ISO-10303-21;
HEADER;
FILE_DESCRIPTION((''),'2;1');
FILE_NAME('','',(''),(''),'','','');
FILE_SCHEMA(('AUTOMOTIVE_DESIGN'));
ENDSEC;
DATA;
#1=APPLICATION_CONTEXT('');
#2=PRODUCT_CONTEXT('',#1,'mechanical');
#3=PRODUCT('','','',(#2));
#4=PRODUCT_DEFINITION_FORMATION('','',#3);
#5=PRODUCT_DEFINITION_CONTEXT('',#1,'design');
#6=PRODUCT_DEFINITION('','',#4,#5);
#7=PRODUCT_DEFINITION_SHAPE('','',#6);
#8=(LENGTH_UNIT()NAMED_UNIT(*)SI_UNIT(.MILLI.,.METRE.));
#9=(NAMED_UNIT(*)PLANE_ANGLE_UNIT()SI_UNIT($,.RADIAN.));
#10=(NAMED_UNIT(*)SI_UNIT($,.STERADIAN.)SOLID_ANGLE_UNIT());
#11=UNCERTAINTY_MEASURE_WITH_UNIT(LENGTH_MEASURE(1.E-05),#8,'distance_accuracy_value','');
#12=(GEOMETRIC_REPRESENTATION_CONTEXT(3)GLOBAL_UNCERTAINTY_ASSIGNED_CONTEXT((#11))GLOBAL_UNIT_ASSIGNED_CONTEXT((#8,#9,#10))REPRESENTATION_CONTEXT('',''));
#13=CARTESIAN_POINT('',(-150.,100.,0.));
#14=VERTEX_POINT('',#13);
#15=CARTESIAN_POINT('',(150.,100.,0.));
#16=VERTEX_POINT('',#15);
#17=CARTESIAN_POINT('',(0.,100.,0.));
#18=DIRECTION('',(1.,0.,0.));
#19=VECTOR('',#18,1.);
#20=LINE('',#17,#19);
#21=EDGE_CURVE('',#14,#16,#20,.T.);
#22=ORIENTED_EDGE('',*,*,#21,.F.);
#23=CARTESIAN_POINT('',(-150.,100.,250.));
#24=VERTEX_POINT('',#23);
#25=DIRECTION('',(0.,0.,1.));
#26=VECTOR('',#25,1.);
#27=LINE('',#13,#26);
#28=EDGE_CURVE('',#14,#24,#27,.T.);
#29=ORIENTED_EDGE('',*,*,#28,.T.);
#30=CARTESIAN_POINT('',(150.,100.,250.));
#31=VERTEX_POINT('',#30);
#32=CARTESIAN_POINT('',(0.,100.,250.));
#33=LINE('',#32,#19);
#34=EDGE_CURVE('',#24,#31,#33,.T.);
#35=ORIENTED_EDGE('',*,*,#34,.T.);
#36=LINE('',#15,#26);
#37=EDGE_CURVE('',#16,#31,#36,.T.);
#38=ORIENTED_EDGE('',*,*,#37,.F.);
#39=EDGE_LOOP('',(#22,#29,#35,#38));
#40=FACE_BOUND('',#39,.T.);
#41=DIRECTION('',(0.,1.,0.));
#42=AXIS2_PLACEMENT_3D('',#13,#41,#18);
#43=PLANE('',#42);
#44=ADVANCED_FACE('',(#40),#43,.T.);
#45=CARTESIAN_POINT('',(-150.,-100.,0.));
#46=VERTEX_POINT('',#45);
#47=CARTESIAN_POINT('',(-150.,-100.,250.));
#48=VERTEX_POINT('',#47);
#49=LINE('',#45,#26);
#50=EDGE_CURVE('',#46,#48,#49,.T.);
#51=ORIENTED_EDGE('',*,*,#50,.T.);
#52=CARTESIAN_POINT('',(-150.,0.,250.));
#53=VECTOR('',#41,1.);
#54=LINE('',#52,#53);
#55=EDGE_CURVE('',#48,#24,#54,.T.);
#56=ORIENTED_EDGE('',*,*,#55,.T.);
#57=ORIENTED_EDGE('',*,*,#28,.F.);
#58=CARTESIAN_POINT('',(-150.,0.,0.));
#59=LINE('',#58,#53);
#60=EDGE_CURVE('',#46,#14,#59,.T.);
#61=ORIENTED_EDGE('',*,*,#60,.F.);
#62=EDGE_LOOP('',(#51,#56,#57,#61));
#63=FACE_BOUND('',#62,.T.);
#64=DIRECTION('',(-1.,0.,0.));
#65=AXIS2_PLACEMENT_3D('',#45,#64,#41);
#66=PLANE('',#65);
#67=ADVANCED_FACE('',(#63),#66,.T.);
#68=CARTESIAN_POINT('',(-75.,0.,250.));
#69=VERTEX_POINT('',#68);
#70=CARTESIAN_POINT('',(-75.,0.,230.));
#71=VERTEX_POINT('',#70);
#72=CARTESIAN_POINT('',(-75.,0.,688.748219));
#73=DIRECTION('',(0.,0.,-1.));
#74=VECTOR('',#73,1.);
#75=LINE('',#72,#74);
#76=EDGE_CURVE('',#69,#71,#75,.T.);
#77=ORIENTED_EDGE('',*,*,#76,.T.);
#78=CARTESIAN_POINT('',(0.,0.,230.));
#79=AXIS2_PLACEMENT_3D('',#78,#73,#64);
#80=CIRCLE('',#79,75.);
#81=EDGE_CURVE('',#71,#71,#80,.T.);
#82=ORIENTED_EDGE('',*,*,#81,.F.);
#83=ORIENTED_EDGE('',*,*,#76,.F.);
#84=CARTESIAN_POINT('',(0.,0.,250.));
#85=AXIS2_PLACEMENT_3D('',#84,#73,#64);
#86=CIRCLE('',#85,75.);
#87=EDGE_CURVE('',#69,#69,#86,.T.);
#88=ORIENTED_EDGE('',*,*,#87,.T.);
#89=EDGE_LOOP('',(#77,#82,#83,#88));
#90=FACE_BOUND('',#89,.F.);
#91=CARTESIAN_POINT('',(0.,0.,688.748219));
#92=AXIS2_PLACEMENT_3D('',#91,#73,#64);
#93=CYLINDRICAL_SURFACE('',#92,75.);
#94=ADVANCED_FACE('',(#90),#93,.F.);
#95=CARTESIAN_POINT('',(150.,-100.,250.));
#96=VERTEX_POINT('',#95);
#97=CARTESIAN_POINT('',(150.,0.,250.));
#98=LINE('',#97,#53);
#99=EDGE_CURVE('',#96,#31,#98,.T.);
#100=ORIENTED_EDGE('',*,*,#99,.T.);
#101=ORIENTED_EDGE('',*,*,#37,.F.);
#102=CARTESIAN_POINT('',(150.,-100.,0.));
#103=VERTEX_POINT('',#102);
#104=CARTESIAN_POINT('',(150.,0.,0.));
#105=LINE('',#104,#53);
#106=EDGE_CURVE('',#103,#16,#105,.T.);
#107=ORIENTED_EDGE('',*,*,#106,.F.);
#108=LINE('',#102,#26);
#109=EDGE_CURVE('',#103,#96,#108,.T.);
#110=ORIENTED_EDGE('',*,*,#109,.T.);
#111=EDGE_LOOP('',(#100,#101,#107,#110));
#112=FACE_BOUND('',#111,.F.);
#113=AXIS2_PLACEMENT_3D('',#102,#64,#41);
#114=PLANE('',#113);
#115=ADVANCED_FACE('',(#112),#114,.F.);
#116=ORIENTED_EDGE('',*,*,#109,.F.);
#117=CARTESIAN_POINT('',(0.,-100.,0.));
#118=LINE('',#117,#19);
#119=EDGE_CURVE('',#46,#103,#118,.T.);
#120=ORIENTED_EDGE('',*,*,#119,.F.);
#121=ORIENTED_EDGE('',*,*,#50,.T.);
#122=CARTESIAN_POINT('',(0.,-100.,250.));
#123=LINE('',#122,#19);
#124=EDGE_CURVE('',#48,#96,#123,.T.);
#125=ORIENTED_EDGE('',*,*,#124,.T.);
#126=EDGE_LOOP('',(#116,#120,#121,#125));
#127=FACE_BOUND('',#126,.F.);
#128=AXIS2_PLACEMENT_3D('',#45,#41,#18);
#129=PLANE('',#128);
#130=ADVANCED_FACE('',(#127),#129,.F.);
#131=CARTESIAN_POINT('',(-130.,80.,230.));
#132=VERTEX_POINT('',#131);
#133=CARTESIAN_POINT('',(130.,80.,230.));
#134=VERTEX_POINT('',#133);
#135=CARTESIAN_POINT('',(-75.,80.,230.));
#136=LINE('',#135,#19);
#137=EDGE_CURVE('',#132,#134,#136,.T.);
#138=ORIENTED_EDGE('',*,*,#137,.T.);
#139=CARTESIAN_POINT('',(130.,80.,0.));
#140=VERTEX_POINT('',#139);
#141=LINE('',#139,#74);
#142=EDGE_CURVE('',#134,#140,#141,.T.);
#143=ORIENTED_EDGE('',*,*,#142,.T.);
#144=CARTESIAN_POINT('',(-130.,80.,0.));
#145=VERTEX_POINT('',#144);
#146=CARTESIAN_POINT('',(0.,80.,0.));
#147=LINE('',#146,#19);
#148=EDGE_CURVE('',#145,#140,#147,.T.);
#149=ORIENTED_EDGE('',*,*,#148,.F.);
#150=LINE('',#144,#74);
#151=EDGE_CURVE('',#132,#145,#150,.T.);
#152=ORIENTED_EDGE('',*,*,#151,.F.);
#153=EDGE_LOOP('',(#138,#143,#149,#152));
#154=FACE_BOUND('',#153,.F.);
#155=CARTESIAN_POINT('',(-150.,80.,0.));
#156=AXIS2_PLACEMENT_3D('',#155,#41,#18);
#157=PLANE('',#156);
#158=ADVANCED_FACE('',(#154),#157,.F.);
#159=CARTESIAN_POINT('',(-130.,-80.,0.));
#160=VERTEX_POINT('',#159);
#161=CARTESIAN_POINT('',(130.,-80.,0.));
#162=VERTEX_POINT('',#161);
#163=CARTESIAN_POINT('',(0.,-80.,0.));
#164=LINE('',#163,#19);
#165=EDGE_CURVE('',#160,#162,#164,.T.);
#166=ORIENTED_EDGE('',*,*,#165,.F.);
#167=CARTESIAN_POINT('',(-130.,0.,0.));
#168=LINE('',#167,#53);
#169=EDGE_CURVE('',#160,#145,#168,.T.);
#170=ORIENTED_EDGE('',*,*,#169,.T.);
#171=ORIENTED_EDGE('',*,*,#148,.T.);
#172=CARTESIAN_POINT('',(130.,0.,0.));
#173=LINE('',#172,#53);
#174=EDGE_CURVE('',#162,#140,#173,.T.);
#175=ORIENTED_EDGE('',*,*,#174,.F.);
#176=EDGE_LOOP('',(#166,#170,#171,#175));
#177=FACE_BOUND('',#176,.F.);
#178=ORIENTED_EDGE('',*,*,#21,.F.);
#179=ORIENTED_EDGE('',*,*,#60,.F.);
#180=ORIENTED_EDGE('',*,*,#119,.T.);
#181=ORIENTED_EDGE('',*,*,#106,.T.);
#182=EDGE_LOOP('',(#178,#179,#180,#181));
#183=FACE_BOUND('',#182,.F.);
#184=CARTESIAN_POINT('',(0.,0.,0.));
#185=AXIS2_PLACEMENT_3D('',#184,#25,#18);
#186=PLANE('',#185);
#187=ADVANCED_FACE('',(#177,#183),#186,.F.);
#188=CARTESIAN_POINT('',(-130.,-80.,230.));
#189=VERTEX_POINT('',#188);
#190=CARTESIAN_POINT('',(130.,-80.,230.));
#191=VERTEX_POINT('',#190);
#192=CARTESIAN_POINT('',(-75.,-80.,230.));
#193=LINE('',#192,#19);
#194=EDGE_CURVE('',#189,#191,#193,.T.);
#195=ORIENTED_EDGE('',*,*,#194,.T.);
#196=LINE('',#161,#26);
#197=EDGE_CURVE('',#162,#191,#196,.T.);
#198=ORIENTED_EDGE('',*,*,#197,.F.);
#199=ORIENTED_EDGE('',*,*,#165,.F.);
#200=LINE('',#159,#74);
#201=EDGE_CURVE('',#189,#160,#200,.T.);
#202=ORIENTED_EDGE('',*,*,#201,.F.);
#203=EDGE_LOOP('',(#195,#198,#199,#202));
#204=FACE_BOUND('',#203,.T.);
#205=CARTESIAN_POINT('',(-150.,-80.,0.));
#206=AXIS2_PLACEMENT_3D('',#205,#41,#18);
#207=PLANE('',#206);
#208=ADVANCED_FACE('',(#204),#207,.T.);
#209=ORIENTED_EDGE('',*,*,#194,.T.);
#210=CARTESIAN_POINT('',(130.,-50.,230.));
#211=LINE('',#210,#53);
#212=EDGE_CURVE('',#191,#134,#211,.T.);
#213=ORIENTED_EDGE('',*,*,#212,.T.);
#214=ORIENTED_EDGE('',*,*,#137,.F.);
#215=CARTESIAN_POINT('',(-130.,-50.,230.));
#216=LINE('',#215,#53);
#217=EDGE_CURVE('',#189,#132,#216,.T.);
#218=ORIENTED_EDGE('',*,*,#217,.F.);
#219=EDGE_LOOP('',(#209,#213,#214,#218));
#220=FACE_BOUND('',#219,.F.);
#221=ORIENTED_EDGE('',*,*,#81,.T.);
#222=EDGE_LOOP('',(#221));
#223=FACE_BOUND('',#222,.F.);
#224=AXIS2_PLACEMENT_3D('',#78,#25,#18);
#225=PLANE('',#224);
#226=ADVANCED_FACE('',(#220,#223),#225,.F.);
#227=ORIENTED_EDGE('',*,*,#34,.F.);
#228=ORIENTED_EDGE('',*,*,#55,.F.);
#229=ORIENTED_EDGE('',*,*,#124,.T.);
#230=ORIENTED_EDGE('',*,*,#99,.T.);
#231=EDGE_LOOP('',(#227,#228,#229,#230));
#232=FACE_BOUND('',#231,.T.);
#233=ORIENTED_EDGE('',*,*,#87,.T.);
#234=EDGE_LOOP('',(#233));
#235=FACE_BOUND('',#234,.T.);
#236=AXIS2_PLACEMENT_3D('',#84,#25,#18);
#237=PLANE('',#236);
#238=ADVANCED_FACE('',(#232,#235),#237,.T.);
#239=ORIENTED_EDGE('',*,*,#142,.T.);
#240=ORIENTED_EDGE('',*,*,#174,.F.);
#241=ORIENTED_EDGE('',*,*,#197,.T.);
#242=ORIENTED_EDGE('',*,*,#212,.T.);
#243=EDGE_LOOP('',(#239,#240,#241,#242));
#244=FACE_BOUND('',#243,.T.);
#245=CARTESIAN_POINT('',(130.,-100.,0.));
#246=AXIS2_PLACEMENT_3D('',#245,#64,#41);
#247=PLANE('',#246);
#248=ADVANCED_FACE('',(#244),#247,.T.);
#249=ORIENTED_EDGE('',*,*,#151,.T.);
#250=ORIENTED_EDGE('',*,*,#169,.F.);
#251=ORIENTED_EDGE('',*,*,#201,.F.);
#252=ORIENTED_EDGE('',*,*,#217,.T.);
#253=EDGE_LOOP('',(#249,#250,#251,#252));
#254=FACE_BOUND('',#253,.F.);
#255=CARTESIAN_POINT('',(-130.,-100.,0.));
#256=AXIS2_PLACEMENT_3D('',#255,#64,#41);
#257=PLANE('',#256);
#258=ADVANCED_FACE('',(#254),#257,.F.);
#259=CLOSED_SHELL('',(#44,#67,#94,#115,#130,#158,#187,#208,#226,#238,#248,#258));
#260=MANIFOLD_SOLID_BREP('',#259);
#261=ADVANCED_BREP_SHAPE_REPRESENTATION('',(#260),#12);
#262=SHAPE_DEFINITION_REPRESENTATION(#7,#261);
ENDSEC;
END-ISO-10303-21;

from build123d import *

# Parameters (mm, degrees)
F0_W     = 300
F0_H     = 200
F1_DEPTH = 250
F3_T     = -20
F4_D     = 150


with BuildPart() as f1:
    # F0 (on Top) → F1 (new body)
    with BuildSketch(Plane.XY):
        Rectangle(F0_W, F0_H)
    extrude(amount=F1_DEPTH)

    # F3
    f3_openings = [f1.faces().sort_by_distance(p)[0] for p in [
        (0, 0, 0),
    ]]
    offset(amount=F3_T, openings=f3_openings)

    # F4 (through all)
    with Locations(Plane.XY.offset(250)):
        with Locations((0, 0)):
            Hole(F4_D / 2)


solid = f1.part
